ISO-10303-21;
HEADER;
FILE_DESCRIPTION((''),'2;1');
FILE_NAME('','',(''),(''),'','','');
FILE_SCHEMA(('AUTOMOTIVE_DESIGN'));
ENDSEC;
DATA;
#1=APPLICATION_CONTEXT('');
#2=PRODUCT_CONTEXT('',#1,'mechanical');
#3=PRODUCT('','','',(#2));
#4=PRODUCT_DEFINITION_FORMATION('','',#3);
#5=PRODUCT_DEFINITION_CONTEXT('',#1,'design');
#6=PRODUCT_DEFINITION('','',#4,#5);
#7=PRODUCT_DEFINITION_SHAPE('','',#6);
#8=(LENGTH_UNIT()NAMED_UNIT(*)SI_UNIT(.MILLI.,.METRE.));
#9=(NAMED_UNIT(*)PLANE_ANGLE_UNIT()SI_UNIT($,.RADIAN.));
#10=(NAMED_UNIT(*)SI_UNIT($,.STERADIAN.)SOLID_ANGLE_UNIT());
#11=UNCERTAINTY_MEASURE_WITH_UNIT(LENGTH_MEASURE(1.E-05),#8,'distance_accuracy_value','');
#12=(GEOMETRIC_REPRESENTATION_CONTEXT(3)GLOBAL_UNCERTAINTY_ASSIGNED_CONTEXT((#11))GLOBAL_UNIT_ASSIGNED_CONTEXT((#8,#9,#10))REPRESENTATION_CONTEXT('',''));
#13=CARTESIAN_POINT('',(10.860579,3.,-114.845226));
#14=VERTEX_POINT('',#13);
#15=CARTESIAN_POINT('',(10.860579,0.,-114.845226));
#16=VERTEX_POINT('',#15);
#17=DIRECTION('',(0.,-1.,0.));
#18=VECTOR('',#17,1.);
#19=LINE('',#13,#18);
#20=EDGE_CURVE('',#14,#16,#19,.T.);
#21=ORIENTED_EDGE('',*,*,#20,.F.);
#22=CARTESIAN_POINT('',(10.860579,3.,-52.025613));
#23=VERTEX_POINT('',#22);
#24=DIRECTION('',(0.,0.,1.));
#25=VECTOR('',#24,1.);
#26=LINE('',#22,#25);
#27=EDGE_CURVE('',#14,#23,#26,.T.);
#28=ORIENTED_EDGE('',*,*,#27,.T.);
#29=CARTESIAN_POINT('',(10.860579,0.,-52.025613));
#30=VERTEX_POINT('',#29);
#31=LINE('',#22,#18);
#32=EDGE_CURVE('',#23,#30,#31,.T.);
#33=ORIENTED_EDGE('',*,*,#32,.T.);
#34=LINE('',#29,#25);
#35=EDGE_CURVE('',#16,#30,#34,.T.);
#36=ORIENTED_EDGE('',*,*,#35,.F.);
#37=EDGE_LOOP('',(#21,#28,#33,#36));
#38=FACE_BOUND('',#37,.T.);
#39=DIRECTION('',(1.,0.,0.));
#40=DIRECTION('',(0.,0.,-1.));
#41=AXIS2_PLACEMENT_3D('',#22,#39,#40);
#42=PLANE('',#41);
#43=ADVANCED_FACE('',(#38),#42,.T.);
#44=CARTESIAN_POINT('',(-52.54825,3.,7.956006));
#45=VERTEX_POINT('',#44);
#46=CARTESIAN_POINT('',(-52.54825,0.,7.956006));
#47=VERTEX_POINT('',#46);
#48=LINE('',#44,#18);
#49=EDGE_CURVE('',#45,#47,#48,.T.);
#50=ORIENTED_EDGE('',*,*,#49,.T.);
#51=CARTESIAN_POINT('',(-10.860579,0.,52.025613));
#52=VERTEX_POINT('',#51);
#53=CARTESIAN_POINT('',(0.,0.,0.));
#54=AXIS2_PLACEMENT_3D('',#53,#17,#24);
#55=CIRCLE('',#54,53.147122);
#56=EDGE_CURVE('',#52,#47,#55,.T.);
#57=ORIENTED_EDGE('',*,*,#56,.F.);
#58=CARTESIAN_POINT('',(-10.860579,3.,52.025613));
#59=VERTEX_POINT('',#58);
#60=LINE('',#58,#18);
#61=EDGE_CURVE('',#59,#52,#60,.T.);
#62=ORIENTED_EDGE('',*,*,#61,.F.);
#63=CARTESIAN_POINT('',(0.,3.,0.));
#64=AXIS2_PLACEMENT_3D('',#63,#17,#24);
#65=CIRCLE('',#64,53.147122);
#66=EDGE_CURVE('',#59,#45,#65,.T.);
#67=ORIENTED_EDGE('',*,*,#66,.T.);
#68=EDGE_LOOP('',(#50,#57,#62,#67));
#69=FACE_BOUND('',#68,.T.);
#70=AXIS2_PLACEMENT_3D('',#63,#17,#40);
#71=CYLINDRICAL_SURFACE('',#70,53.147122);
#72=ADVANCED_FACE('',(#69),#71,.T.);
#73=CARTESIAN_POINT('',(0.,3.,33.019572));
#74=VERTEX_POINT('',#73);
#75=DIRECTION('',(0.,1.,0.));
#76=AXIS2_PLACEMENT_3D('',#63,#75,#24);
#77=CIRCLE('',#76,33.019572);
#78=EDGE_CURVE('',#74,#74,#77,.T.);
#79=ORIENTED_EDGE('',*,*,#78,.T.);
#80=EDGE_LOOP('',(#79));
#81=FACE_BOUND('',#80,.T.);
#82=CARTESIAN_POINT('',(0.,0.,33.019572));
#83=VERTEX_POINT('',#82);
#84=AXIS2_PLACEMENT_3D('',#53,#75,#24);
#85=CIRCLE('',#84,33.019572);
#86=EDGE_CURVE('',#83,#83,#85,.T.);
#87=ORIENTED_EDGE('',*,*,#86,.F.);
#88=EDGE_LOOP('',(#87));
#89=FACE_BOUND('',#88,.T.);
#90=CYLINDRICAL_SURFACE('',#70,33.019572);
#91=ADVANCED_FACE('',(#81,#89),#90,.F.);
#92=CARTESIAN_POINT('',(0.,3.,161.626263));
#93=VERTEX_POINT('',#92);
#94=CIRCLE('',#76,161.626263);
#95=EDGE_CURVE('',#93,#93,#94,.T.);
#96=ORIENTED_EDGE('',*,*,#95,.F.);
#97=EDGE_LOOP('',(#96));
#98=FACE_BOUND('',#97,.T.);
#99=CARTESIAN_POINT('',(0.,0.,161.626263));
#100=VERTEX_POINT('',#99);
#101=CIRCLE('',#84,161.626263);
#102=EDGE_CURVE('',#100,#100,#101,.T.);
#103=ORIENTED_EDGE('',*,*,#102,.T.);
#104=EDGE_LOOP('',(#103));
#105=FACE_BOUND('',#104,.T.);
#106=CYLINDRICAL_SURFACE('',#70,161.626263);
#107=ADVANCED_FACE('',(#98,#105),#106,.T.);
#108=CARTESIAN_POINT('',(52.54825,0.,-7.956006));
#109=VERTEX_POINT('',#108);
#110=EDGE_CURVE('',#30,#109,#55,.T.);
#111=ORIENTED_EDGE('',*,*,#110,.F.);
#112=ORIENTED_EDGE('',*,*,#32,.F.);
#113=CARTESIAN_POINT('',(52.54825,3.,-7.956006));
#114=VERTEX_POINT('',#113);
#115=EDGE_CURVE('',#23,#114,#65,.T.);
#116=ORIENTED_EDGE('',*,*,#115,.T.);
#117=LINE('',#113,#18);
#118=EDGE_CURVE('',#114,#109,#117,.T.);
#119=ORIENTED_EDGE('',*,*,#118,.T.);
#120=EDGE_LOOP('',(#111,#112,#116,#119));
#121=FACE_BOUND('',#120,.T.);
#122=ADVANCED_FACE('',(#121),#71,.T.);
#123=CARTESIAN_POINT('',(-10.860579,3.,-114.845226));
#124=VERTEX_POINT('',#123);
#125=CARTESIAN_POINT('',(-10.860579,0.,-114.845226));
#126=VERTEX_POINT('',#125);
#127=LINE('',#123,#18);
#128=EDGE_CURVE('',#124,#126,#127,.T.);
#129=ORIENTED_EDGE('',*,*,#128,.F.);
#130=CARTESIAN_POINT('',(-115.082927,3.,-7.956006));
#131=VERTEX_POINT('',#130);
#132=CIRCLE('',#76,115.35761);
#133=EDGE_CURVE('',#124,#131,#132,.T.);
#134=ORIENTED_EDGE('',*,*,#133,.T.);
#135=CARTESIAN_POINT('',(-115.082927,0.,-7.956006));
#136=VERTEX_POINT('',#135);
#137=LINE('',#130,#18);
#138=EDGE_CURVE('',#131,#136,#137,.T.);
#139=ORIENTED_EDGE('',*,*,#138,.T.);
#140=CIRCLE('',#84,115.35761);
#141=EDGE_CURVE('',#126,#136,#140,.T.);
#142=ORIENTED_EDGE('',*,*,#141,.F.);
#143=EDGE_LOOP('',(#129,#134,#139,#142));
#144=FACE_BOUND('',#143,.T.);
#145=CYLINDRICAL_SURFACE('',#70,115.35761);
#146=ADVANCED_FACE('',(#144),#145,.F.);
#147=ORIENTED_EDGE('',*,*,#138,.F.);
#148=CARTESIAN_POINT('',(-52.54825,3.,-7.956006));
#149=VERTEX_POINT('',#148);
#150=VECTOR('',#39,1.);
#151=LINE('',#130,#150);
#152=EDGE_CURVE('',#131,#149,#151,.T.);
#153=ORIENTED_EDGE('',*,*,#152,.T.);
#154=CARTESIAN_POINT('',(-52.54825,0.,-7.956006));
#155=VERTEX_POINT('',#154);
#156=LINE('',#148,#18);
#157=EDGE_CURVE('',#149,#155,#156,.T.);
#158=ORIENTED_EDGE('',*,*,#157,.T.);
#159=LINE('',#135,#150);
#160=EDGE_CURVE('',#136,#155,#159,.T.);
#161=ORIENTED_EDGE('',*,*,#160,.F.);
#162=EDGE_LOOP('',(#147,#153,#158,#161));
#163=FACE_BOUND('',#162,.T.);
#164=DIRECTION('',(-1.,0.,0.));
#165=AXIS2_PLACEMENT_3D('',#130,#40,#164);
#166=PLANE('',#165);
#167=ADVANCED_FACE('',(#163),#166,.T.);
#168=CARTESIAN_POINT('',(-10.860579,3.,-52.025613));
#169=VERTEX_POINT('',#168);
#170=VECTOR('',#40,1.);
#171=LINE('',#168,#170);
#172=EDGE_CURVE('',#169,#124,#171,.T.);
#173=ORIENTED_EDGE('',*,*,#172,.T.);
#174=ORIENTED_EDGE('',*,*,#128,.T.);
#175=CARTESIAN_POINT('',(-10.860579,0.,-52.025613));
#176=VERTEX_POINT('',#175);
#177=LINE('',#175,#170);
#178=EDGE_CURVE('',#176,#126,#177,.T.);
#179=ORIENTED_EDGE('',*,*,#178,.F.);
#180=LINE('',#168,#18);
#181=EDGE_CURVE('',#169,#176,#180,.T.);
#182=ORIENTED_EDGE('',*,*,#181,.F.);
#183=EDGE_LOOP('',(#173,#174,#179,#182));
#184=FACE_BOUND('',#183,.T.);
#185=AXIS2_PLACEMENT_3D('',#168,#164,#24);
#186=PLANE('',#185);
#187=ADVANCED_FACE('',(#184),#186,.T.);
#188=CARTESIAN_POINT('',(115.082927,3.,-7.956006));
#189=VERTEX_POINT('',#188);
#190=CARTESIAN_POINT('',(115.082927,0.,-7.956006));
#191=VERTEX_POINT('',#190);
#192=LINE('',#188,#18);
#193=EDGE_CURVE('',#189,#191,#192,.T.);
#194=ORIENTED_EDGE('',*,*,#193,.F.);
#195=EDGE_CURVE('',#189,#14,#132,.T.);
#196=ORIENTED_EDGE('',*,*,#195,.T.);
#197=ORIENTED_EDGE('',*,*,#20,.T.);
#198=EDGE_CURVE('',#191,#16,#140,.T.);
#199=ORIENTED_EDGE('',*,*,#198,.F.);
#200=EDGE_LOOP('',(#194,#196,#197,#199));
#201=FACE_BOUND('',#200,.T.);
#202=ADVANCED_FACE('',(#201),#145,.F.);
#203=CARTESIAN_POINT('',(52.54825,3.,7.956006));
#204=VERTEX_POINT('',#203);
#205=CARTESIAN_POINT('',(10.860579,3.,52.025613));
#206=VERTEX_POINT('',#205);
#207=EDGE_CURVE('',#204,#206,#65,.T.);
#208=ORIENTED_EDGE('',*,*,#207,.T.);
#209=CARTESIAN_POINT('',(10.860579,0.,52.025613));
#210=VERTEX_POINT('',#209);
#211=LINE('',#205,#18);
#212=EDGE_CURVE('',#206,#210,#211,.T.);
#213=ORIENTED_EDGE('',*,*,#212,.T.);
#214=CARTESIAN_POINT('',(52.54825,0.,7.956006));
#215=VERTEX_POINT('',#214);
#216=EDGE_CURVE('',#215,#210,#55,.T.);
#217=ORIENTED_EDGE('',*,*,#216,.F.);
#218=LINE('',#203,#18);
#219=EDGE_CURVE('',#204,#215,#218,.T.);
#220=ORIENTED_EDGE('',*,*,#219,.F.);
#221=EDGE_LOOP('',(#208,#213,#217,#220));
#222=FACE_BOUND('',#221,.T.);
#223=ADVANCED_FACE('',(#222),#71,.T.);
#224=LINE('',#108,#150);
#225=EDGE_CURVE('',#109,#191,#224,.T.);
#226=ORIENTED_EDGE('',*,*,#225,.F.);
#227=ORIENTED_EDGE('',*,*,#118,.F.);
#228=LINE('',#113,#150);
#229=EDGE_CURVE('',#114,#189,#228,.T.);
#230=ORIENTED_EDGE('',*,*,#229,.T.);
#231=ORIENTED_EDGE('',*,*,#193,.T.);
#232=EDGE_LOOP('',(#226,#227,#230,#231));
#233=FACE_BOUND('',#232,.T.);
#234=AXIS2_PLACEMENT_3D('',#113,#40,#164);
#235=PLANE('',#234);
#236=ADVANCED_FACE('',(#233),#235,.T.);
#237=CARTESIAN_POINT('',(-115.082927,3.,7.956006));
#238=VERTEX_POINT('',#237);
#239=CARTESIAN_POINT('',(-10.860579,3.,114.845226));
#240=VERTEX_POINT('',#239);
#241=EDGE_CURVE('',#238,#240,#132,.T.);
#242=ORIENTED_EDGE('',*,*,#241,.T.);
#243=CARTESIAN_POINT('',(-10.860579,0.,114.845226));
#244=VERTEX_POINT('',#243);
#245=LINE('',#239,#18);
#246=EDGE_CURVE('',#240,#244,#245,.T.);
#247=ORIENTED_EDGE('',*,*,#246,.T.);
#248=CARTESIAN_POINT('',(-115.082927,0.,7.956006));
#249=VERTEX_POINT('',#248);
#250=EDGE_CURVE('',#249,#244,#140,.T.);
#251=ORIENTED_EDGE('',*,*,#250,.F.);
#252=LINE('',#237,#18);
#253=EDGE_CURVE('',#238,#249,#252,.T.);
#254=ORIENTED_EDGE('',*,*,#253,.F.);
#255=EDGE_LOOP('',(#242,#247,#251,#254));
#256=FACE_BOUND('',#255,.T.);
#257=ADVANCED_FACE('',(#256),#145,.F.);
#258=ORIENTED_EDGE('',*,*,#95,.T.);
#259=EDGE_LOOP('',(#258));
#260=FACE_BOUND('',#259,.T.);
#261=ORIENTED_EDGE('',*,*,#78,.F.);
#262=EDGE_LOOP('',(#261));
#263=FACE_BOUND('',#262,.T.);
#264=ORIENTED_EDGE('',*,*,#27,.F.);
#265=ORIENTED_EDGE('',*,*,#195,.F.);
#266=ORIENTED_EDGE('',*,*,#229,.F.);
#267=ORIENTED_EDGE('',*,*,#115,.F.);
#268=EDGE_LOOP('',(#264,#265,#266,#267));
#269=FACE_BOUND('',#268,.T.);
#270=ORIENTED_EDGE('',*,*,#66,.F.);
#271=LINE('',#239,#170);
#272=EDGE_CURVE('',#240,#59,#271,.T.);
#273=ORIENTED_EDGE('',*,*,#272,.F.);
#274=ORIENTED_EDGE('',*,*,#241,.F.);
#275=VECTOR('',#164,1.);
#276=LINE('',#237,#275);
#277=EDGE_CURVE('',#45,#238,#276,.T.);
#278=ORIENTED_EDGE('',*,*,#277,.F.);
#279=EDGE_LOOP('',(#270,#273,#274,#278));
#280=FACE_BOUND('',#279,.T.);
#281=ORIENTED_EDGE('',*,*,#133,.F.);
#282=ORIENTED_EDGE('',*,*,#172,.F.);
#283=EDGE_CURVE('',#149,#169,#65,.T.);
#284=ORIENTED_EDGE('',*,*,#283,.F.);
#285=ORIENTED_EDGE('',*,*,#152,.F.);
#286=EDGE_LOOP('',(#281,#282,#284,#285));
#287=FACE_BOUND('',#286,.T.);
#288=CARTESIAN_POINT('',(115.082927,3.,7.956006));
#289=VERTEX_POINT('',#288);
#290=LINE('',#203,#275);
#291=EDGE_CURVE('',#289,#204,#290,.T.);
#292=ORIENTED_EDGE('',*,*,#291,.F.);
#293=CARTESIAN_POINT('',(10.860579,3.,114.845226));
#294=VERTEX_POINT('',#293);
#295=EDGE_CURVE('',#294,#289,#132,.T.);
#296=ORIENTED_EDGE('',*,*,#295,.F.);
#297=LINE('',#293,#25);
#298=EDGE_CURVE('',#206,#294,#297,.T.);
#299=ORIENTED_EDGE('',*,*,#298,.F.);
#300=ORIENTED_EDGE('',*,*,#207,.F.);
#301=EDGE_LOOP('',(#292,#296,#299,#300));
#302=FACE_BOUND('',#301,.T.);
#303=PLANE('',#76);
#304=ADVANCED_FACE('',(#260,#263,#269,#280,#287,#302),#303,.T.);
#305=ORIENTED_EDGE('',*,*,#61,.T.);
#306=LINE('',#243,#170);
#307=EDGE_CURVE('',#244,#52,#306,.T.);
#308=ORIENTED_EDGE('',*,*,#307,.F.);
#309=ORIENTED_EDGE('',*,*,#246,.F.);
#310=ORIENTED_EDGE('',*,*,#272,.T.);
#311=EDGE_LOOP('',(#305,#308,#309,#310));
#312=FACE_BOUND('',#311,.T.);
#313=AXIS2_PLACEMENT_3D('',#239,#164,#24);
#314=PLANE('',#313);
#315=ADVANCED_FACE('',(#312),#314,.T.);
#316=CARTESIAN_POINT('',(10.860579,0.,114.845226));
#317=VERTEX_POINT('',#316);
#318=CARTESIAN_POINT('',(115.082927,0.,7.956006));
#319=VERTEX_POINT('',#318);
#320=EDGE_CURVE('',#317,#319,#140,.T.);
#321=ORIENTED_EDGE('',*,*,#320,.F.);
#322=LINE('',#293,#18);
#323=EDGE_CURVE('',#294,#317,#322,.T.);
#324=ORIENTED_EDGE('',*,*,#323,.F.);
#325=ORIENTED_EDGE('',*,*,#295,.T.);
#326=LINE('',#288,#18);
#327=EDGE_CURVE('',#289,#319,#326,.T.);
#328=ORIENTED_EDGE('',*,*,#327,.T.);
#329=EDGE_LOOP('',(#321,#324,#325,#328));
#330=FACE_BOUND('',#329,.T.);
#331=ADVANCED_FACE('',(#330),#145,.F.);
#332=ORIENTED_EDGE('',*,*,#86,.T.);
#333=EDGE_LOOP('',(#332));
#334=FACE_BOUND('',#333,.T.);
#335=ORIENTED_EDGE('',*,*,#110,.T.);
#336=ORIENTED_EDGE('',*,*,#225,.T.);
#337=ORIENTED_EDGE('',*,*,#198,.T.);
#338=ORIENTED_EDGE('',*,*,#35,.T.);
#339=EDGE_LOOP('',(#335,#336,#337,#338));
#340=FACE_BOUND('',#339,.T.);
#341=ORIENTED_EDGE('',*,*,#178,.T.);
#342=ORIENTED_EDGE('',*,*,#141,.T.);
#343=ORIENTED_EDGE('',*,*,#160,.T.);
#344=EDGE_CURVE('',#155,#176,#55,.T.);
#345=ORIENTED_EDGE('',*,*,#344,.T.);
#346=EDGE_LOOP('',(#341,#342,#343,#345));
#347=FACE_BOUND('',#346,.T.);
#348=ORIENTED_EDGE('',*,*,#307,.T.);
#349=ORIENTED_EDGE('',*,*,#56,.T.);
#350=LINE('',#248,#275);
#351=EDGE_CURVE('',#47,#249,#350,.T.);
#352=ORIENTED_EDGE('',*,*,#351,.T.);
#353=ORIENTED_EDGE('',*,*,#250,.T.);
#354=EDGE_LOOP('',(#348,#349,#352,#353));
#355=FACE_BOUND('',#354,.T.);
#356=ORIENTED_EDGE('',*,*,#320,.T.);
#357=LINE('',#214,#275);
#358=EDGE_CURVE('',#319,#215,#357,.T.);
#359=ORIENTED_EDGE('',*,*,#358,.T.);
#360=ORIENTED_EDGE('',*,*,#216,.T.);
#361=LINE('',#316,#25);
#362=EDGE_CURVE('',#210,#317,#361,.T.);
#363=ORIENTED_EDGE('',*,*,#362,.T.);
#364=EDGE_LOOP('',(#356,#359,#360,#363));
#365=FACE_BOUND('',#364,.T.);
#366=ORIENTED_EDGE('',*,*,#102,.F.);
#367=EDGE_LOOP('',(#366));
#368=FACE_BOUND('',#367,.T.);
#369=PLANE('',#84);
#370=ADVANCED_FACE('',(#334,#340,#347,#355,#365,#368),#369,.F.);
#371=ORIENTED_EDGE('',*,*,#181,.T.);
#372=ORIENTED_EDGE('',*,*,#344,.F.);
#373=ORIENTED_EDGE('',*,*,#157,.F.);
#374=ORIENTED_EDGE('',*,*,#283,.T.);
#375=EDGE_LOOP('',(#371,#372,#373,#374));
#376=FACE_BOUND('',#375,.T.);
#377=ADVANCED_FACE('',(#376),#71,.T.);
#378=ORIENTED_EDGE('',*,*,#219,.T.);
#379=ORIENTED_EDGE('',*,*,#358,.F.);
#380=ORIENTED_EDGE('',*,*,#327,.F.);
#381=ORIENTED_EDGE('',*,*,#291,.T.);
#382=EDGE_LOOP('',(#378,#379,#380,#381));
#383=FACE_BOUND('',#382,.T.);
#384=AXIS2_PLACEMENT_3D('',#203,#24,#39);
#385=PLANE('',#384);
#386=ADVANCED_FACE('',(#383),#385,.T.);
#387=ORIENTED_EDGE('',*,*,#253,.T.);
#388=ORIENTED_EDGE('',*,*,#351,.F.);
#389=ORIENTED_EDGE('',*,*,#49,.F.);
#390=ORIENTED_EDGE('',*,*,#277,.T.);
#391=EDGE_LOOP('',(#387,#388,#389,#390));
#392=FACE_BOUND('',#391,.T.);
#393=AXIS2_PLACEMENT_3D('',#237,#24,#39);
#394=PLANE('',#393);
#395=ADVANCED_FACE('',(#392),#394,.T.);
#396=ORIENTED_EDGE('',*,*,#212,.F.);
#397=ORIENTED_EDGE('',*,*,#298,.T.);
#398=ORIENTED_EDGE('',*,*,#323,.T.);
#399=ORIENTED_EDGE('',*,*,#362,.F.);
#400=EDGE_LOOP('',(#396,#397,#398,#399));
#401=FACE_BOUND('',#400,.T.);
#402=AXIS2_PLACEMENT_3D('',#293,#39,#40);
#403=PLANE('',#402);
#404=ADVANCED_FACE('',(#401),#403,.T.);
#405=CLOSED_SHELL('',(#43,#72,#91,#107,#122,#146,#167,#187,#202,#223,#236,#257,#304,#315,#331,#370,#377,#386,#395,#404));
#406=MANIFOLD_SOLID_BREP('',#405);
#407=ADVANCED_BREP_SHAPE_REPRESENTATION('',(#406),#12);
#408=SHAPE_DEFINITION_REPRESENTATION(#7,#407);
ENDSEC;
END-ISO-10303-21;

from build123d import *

# Parameters (mm, degrees)
SKETCH1_R           = 161.626262759
SKETCH1_R_2         = 33.019572325
BOSS_EXTRUDE1_DEPTH = 3


with BuildPart() as part:
    # Sketch1 → Boss-Extrude1 (new body)
    with BuildSketch(Plane(origin=(0, 0, 0), x_dir=(1, 0, 0), z_dir=(0, 1, 0))):
        with Locations(Location((0, 0, 0), (0, 0, 270))):
            Circle(SKETCH1_R)
        with Locations(Location((0, 0, 0), (0, 0, 270))):
            Circle(SKETCH1_R_2, mode=Mode.SUBTRACT)
        with BuildLine():
            Line((52.548250078, -7.956005676), (115.082927496, -7.956005676))
            ThreePointArc((115.082927496, -7.956005676), (82.593995543, -80.533285836), (10.860579177, -114.845226489))
            Line((10.860579177, -114.845226489), (10.860579177, -52.025613236))
            ThreePointArc((10.860579177, -52.025613236), (38.609616477, -36.522789161), (52.548250078, -7.956005676))
        make_face(mode=Mode.SUBTRACT)
        with BuildLine():
            Line((52.548250078, 7.956005676), (115.082927496, 7.956005676))
            ThreePointArc((115.082927496, 7.956005676), (82.593995543, 80.533285836), (10.860579177, 114.845226489))
            Line((10.860579177, 114.845226489), (10.860579177, 52.025613236))
            ThreePointArc((10.860579177, 52.025613236), (38.609616477, 36.522789161), (52.548250078, 7.956005676))
        make_face(mode=Mode.SUBTRACT)
        with BuildLine():
            Line((-115.082927496, -7.956005676), (-52.548250078, -7.956005676))
            ThreePointArc((-52.548250078, -7.956005676), (-38.609616477, -36.522789161), (-10.860579177, -52.025613236))
            Line((-10.860579177, -52.025613236), (-10.860579177, -114.845226489))
            ThreePointArc((-10.860579177, -114.845226489), (-82.593995543, -80.533285836), (-115.082927496, -7.956005676))
        make_face(mode=Mode.SUBTRACT)
        with BuildLine():
            Line((-115.082927496, 7.956005676), (-52.548250078, 7.956005676))
            ThreePointArc((-52.548250078, 7.956005676), (-38.609616477, 36.522789161), (-10.860579177, 52.025613236))
            Line((-10.860579177, 52.025613236), (-10.860579177, 114.845226489))
            ThreePointArc((-10.860579177, 114.845226489), (-82.593995543, 80.533285836), (-115.082927496, 7.956005676))
        make_face(mode=Mode.SUBTRACT)
    extrude(amount=BOSS_EXTRUDE1_DEPTH)


solid = part.part
